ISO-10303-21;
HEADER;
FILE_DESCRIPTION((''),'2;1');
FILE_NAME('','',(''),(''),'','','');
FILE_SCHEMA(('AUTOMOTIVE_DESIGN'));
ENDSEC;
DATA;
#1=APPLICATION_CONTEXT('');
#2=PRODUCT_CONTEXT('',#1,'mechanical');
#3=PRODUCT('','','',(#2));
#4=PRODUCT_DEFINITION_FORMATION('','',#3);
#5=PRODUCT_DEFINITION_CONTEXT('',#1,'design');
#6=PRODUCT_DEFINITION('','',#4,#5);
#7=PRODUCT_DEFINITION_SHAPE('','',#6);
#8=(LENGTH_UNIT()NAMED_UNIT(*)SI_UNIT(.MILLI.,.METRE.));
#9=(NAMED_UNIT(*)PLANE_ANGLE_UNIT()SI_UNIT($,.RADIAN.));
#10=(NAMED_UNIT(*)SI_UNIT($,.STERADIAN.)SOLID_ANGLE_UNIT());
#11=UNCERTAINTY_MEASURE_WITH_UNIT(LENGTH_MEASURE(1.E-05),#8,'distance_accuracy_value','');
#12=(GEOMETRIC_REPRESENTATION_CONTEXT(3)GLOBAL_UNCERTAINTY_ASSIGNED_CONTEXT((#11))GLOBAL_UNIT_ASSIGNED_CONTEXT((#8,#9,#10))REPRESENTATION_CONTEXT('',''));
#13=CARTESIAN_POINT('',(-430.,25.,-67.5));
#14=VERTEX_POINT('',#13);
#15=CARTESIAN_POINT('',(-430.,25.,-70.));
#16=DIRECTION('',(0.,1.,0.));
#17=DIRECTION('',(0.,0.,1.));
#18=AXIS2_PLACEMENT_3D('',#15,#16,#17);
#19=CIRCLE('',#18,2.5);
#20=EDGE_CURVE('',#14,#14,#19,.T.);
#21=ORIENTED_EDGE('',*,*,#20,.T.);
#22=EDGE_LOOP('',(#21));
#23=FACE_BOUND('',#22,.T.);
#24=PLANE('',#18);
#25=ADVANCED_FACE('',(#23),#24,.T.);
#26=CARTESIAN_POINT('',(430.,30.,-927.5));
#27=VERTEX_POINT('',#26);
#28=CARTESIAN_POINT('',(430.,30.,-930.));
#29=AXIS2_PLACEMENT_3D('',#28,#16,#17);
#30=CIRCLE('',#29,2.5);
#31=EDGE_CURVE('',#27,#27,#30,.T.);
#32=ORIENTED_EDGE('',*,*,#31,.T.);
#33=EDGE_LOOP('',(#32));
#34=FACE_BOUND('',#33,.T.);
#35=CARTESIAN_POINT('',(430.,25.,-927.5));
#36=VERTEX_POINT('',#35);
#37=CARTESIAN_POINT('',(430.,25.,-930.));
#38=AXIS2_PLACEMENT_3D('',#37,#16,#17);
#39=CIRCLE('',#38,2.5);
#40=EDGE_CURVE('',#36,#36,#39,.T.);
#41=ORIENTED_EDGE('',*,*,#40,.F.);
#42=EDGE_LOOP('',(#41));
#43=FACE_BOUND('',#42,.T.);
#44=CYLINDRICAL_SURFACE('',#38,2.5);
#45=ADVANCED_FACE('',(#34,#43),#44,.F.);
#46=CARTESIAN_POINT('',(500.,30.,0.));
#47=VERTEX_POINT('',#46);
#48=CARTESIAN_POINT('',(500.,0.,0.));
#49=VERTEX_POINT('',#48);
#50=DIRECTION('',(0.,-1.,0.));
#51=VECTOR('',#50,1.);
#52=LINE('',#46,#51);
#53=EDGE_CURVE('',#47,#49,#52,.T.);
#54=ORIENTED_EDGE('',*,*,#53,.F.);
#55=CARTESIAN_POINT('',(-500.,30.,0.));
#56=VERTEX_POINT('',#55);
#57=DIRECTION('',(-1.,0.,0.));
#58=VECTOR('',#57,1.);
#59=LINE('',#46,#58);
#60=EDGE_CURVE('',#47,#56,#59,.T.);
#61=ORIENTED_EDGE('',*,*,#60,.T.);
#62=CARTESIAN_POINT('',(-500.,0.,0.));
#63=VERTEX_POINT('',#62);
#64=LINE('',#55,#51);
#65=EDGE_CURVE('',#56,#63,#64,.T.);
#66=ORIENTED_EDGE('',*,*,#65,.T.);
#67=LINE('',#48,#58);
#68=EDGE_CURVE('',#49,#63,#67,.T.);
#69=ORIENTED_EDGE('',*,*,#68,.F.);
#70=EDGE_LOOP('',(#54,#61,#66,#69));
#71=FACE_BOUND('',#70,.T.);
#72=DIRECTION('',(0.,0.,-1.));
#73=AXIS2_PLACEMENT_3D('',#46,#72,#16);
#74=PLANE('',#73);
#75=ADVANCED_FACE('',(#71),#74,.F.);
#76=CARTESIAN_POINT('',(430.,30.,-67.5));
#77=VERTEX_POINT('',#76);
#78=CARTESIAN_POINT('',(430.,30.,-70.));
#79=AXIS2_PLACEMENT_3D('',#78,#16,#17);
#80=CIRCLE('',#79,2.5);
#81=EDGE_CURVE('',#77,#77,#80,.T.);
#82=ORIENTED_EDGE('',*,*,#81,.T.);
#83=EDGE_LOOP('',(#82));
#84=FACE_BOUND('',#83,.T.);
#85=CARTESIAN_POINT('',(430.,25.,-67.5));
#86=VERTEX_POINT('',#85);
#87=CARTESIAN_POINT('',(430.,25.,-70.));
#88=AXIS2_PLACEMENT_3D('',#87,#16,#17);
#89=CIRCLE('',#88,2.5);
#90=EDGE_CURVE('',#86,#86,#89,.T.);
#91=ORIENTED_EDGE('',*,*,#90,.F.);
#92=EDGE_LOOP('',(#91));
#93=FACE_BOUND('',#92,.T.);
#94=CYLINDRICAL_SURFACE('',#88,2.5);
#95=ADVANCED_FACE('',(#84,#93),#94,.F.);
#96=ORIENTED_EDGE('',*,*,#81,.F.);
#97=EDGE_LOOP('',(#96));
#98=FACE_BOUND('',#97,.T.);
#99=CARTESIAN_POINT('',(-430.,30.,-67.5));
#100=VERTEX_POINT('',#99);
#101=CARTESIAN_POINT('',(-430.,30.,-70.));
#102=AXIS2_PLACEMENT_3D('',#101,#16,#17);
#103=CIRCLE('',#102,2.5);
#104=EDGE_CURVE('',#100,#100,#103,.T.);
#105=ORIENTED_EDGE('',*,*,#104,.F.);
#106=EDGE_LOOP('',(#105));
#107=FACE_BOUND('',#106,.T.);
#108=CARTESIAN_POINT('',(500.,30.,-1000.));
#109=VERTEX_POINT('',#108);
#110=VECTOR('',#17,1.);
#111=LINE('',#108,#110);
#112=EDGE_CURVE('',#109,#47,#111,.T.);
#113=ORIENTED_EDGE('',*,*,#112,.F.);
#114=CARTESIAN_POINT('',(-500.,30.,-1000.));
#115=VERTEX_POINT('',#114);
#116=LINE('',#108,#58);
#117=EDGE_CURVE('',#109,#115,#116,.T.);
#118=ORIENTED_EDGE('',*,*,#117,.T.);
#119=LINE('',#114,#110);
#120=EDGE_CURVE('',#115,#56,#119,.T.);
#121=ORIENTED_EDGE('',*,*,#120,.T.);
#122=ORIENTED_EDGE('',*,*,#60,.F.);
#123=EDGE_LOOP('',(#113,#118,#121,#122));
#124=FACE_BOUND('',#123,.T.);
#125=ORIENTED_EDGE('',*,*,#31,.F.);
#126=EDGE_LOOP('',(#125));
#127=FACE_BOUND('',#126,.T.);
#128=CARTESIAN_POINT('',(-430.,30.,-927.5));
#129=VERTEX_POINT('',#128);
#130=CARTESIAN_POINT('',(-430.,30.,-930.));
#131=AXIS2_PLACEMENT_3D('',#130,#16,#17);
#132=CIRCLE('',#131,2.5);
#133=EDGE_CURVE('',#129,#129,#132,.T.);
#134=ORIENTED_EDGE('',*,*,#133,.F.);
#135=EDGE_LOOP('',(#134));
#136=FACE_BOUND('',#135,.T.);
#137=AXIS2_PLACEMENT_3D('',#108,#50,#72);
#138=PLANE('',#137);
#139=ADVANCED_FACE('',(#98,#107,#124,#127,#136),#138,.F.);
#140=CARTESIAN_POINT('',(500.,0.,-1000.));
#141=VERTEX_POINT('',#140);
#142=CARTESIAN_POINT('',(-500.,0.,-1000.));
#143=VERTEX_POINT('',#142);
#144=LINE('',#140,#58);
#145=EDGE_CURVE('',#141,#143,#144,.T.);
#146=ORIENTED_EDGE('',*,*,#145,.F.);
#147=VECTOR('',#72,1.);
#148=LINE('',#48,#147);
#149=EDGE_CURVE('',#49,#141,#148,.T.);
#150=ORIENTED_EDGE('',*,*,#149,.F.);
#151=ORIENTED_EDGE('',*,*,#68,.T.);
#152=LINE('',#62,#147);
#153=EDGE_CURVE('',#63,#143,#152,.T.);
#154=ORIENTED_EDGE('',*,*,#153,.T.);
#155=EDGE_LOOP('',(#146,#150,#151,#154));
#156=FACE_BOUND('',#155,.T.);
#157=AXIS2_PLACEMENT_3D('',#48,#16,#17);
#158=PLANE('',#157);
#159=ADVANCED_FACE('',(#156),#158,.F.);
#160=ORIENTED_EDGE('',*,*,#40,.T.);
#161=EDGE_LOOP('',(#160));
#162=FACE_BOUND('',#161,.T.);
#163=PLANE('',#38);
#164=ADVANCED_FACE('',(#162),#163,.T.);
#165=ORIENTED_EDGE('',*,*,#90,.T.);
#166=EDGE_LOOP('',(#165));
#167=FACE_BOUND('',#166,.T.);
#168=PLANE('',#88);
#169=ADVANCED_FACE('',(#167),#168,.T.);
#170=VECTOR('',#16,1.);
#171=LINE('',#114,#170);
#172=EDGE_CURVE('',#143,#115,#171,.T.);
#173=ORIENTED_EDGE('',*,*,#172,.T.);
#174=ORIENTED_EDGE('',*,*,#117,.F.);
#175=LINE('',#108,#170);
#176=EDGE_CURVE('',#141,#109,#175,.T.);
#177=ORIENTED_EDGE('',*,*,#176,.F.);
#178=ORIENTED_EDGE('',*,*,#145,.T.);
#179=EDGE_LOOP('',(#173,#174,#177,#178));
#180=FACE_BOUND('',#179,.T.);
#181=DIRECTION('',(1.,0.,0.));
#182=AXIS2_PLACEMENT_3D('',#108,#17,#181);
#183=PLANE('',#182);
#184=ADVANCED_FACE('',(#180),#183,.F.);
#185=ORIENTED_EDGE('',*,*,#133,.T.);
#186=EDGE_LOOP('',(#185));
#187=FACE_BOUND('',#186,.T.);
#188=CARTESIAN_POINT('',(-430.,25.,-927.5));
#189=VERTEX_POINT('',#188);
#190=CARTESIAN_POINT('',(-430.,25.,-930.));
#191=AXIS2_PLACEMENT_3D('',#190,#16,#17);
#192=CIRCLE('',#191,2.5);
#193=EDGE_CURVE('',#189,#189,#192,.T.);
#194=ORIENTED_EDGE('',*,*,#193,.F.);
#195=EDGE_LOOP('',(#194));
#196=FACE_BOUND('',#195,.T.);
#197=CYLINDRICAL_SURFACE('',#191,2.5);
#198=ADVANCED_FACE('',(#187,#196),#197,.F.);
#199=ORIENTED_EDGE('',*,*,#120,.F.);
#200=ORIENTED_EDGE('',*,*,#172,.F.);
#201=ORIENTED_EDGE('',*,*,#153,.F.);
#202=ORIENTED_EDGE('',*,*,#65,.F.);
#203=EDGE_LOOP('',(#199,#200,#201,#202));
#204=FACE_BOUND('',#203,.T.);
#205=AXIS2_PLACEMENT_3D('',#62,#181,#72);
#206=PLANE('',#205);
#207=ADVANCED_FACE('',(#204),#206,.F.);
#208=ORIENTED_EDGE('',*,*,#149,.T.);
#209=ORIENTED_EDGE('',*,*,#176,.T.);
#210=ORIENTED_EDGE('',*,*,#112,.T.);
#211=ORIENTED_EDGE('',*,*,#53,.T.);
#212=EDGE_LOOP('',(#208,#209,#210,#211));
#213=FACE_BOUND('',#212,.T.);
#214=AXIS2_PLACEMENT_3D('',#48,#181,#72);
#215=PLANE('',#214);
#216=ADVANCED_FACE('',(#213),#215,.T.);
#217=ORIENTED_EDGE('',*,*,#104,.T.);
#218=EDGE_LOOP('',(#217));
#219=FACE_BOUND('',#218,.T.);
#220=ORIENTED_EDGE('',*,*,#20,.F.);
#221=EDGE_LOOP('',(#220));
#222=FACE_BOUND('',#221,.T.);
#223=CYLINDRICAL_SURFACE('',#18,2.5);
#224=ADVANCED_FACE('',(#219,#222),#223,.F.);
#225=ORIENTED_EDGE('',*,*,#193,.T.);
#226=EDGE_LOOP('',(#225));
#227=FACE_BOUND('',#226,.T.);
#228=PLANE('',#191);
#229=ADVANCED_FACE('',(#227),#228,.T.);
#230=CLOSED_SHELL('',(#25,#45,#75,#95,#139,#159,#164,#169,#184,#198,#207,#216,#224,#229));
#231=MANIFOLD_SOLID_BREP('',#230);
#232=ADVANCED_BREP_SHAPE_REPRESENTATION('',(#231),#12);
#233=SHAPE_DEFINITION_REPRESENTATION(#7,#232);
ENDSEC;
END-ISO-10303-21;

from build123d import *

# Parameters (mm, degrees)
SKETCH1_W           = 1000
SKETCH1_H           = 30
BOSS_EXTRUDE1_DEPTH = 500
SKETCH2_R           = 2.5
CUT_EXTRUDE2_DEPTH  = 5


with BuildPart() as part:
    # Sketch1 → Boss-Extrude1 (new body, symmetric)
    with BuildSketch(Plane(origin=(0, 0, 0), x_dir=(0, 0, -1), z_dir=(1, 0, 0))):
        with Locations((500, 15)):
            Rectangle(SKETCH1_W, SKETCH1_H)
    extrude(amount=BOSS_EXTRUDE1_DEPTH, both=True)

    # Sketch2 → Cut-Extrude2 (cut)
    with BuildSketch(Plane(origin=(0, 30, 0), x_dir=(1, 0, 0), z_dir=(0, 1, 0))):
        with Locations((-430, 70)):
            Circle(SKETCH2_R)
        with Locations((-430, 930)):
            Circle(SKETCH2_R)
        with Locations((430, 930)):
            Circle(SKETCH2_R)
        with Locations((430, 70)):
            Circle(SKETCH2_R)
    extrude(amount=-CUT_EXTRUDE2_DEPTH, mode=Mode.SUBTRACT)


solid = part.part
